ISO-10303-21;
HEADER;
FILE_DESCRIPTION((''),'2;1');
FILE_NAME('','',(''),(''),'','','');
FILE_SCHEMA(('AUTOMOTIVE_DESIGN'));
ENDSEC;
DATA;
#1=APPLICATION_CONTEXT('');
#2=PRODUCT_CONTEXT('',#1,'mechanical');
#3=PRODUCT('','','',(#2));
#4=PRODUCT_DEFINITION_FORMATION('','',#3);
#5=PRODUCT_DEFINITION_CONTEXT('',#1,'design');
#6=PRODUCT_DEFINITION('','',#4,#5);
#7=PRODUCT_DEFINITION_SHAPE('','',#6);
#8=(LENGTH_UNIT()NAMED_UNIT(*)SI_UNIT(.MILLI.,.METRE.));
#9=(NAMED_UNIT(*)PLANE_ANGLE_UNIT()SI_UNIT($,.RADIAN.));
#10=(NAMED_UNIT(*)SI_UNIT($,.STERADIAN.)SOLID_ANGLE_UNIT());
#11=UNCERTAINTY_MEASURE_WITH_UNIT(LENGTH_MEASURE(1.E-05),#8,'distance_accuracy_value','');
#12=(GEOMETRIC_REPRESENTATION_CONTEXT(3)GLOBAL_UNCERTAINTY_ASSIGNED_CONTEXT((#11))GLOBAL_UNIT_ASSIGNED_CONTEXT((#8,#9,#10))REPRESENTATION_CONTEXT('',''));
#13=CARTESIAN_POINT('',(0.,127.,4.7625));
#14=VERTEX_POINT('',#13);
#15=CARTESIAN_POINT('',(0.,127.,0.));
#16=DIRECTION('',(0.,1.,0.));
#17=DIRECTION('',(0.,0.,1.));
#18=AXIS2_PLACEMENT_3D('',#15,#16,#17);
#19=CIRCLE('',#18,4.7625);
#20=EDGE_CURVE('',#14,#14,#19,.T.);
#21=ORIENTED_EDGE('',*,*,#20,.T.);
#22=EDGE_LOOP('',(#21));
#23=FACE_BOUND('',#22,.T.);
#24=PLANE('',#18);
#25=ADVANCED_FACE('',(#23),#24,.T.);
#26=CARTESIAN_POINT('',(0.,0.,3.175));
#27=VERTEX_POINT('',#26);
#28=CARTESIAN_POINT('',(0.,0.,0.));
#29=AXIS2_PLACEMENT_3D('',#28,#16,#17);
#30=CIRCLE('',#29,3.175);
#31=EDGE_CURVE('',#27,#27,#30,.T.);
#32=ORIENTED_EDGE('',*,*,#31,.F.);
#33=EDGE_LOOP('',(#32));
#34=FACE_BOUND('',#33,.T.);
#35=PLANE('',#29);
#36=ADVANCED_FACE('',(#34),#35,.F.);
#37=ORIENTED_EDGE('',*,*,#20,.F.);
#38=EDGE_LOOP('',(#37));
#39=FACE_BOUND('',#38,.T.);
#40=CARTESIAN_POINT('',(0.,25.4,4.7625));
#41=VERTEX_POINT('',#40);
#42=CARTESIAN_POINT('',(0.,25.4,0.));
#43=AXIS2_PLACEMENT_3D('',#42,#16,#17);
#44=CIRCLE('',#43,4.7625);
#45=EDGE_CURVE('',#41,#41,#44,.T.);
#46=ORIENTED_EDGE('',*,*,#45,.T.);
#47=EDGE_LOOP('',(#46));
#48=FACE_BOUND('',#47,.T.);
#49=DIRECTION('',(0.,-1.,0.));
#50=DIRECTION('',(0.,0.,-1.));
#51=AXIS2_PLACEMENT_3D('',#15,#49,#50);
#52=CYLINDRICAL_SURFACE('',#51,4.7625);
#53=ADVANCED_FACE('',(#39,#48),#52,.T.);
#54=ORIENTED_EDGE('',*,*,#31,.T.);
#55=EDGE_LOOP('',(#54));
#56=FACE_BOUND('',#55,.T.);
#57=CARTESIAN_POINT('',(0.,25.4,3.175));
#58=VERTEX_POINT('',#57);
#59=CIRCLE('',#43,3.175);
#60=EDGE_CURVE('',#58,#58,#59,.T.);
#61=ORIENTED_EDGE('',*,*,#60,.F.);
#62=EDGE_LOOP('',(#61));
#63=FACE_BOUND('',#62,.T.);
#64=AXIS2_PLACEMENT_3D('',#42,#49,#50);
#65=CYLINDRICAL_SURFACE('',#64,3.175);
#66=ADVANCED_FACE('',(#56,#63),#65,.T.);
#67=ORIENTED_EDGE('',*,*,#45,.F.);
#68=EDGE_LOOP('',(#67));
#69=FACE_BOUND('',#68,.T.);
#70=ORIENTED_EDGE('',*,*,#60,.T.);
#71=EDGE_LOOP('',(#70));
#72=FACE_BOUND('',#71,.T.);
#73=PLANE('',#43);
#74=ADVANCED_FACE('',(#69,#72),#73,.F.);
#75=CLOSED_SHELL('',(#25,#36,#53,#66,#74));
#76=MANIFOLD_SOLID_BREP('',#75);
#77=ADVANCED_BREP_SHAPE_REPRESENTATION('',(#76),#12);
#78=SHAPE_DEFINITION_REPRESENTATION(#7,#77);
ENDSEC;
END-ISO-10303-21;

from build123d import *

# Parameters (mm, degrees)
SKETCH1_R           = 3.175
BOSS_EXTRUDE1_DEPTH = 25.4
SKETCH2_R           = 4.7625
BOSS_EXTRUDE2_DEPTH = 101.6


with BuildPart() as part:
    # Sketch1 → Boss-Extrude1 (new body)
    with BuildSketch(Plane(origin=(0, 0, 0), x_dir=(1, 0, 0), z_dir=(0, 1, 0))):
        Circle(SKETCH1_R)
    extrude(amount=BOSS_EXTRUDE1_DEPTH)

    # Sketch2 → Boss-Extrude2 (add)
    with BuildSketch(Plane(origin=(0, 25.4, 0), x_dir=(1, 0, 0), z_dir=(0, 1, 0))):
        Circle(SKETCH2_R)
    extrude(amount=BOSS_EXTRUDE2_DEPTH)


solid = part.part
